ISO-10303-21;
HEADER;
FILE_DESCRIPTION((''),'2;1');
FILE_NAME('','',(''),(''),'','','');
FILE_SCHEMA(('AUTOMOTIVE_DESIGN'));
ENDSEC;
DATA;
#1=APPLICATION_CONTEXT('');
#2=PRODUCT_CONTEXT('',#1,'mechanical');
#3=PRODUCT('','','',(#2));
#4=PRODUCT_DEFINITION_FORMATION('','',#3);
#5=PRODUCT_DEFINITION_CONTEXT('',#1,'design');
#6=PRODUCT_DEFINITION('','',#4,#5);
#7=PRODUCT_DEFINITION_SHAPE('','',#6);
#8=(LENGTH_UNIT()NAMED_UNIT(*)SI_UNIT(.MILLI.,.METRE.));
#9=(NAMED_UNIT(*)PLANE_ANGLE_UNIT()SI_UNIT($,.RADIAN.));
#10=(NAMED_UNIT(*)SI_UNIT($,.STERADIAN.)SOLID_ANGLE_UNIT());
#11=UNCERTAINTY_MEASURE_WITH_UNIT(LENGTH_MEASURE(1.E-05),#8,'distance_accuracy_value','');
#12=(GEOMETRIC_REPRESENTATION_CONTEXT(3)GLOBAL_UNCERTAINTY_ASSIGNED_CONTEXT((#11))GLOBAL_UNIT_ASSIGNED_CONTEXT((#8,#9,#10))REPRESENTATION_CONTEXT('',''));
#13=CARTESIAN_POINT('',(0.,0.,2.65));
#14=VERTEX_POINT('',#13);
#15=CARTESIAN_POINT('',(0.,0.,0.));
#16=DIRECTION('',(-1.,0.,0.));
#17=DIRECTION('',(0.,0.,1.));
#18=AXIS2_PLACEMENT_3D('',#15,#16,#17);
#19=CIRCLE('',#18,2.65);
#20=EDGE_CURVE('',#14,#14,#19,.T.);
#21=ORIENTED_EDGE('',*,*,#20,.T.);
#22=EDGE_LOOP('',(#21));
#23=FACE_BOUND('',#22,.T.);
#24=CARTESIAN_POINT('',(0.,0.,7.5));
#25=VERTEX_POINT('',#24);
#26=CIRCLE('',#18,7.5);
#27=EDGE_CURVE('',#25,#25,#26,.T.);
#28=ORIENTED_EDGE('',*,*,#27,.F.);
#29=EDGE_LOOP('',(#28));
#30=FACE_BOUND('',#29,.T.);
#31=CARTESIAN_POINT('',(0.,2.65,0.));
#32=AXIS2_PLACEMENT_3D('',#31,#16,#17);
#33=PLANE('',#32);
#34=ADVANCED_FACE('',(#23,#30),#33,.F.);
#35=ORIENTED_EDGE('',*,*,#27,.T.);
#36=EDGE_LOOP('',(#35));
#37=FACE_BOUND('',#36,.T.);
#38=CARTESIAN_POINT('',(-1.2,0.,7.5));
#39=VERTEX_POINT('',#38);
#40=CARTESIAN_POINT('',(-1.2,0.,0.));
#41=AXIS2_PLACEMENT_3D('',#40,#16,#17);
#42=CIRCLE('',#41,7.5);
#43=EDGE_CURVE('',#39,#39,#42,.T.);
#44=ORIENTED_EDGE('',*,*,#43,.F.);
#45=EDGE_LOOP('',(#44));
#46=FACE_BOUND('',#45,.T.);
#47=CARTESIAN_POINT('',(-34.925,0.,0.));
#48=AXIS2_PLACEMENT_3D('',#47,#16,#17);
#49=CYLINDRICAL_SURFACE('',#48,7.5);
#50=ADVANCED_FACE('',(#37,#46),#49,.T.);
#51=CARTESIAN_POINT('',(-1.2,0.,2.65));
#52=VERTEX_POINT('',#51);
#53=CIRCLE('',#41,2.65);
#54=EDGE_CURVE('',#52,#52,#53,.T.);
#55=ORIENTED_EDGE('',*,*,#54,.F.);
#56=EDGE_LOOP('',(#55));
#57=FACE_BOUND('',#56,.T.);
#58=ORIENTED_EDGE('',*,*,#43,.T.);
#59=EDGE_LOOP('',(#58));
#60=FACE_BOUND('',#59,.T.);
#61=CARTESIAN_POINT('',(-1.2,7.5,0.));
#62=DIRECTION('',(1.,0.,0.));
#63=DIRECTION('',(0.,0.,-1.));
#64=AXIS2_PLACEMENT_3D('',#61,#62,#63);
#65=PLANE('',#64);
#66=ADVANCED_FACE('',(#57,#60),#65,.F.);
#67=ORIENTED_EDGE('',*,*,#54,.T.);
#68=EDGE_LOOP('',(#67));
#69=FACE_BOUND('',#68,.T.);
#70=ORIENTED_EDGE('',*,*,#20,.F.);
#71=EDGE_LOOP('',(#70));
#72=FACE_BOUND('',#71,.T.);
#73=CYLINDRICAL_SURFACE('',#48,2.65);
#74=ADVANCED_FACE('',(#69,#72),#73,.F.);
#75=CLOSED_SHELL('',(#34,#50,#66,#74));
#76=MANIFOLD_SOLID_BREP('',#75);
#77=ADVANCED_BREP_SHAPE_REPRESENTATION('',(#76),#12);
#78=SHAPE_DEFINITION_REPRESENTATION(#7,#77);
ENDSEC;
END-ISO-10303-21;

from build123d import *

# Parameters (mm, degrees)
SKETCH1_W = 1.2
SKETCH1_H = 4.85


with BuildPart() as part:
    # Sketch1 → Base-Revolve (revolve)
    with BuildSketch(Plane.XY):
        with Locations((-0.6, 5.075)):
            Rectangle(SKETCH1_W, SKETCH1_H)
    revolve(axis=Axis((-34.925, 0, 0), (1, 0, 0)))


solid = part.part
